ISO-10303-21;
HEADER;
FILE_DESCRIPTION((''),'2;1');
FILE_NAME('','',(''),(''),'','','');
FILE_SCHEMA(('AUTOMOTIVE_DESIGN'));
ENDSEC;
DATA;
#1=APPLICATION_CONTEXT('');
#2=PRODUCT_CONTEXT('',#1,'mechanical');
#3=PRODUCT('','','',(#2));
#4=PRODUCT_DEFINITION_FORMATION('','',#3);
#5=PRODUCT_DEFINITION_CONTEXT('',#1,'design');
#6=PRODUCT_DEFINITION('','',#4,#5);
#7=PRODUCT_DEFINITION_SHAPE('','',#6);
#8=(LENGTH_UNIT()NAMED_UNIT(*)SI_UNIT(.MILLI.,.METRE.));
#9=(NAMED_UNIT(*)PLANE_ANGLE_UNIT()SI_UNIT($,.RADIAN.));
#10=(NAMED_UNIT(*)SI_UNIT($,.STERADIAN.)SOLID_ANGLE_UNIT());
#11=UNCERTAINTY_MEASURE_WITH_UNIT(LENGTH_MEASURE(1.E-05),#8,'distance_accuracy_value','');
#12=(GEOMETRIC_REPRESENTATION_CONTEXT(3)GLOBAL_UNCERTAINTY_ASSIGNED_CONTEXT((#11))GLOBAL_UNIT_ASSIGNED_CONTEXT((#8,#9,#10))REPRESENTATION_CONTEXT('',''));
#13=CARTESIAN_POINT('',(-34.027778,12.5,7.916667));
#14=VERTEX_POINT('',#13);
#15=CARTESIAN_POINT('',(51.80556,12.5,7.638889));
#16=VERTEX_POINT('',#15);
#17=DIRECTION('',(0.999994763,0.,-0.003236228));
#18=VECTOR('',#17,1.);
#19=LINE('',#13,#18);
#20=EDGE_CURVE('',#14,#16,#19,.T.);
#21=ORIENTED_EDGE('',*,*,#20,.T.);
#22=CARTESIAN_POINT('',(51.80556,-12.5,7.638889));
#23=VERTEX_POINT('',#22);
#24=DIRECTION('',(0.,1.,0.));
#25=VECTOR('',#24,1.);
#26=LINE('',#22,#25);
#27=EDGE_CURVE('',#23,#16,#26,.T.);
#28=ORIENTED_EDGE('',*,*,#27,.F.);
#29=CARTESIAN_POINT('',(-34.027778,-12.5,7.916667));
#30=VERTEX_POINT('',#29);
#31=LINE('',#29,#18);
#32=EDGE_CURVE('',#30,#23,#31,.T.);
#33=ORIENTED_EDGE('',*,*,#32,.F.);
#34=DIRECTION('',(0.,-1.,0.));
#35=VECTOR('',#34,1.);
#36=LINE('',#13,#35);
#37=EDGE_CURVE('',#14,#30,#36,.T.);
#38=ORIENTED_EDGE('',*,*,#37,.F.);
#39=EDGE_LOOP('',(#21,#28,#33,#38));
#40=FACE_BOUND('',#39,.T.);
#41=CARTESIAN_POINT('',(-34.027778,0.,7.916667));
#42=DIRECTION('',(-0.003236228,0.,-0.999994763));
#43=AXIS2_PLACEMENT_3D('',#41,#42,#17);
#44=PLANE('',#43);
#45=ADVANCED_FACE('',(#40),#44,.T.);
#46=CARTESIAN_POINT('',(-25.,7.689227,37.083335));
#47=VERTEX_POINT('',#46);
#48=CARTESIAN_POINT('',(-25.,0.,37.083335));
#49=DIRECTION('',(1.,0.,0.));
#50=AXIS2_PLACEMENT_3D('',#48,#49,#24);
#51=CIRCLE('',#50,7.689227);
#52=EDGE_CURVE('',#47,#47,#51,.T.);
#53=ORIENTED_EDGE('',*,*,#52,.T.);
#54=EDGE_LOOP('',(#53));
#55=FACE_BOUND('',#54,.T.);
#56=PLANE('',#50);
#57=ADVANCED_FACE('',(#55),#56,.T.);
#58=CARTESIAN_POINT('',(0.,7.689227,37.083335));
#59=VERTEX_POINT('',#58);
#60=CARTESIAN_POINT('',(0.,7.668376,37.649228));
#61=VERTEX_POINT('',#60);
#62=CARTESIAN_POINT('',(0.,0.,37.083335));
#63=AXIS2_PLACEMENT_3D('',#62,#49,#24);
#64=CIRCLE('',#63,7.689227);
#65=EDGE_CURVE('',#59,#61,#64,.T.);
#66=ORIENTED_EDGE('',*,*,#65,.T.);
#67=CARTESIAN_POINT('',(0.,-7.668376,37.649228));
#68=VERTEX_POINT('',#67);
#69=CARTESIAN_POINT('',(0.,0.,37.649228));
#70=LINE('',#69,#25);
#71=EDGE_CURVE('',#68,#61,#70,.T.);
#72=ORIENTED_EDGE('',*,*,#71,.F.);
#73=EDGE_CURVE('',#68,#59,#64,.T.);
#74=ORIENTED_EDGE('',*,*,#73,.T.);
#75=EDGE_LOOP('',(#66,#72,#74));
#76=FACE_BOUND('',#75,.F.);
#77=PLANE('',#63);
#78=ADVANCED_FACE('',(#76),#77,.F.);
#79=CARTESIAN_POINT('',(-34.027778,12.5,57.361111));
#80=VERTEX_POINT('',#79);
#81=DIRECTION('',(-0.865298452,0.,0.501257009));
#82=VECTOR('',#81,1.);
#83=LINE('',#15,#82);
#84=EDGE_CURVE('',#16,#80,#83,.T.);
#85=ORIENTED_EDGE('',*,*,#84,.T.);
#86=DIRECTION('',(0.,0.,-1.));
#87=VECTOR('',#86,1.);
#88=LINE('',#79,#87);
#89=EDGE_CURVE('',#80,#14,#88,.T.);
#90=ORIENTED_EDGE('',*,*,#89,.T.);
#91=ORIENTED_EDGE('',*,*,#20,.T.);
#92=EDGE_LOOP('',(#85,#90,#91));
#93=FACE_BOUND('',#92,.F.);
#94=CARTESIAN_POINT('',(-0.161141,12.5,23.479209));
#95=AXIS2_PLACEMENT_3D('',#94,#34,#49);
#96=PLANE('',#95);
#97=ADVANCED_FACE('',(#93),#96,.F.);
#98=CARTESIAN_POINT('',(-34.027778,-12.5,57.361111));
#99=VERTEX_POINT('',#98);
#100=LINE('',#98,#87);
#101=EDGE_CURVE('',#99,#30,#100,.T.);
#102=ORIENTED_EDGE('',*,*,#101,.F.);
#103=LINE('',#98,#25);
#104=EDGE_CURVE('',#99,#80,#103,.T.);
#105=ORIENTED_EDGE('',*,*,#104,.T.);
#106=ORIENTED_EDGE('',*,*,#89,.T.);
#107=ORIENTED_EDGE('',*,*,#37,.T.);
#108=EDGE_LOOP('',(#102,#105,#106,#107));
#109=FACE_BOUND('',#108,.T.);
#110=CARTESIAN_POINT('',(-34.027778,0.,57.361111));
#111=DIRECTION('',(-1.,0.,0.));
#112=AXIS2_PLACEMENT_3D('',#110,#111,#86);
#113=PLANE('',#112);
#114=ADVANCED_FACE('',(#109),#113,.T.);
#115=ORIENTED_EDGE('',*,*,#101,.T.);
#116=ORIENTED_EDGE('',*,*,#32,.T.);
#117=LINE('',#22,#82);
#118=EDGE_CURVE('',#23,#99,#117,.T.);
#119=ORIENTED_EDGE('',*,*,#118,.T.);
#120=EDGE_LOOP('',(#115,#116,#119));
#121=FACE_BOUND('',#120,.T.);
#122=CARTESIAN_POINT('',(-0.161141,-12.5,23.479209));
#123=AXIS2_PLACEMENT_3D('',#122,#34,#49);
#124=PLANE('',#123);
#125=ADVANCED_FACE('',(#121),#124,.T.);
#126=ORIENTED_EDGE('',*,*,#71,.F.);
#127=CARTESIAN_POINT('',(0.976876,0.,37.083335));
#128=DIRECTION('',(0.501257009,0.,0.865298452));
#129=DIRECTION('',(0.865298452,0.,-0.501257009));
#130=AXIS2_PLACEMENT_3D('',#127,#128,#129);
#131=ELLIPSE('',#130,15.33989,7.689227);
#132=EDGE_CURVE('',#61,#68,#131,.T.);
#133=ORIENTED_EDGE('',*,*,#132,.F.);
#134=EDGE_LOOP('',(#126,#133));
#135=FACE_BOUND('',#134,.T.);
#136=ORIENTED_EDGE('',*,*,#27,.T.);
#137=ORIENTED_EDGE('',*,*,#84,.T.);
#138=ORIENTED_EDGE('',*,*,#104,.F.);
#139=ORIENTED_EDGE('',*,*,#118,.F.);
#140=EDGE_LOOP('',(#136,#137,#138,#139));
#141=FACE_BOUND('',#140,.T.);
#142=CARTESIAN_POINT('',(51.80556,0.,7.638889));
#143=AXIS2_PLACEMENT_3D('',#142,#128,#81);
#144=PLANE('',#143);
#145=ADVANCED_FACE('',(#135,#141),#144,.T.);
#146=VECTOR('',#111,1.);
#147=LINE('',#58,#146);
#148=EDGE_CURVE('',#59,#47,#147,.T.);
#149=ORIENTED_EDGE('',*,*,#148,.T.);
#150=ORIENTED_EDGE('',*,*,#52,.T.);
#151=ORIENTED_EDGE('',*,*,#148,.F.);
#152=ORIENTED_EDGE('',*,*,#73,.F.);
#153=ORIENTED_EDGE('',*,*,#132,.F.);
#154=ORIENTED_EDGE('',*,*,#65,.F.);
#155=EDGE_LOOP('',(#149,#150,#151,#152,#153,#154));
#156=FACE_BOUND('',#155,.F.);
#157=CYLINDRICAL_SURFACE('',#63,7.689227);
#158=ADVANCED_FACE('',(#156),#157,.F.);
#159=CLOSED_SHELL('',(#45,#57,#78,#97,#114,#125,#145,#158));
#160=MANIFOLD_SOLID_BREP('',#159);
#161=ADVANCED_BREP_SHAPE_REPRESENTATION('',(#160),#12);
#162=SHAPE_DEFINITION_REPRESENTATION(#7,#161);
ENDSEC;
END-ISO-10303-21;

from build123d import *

# Parameters (mm, degrees)
F1_DEPTH = 12.5
F2_R     = 7.6892274909
F3_DEPTH = 25


with BuildPart() as f1:
    # F0 (on Front) → F1 (new body, symmetric)
    with BuildSketch(Plane.XZ):
        Polygon((-34.0277776122, 57.3611110449), (-34.0277776122, 7.9166665673), (51.8055595458, 7.6388888992), align=None)
    extrude(amount=F1_DEPTH, both=True)

    # F2 (on Right) → F3 (cut)
    with BuildSketch(Plane.YZ):
        with Locations((0, 37.0833352208)):
            Circle(F2_R)
    extrude(amount=-F3_DEPTH, mode=Mode.SUBTRACT)


solid = f1.part
